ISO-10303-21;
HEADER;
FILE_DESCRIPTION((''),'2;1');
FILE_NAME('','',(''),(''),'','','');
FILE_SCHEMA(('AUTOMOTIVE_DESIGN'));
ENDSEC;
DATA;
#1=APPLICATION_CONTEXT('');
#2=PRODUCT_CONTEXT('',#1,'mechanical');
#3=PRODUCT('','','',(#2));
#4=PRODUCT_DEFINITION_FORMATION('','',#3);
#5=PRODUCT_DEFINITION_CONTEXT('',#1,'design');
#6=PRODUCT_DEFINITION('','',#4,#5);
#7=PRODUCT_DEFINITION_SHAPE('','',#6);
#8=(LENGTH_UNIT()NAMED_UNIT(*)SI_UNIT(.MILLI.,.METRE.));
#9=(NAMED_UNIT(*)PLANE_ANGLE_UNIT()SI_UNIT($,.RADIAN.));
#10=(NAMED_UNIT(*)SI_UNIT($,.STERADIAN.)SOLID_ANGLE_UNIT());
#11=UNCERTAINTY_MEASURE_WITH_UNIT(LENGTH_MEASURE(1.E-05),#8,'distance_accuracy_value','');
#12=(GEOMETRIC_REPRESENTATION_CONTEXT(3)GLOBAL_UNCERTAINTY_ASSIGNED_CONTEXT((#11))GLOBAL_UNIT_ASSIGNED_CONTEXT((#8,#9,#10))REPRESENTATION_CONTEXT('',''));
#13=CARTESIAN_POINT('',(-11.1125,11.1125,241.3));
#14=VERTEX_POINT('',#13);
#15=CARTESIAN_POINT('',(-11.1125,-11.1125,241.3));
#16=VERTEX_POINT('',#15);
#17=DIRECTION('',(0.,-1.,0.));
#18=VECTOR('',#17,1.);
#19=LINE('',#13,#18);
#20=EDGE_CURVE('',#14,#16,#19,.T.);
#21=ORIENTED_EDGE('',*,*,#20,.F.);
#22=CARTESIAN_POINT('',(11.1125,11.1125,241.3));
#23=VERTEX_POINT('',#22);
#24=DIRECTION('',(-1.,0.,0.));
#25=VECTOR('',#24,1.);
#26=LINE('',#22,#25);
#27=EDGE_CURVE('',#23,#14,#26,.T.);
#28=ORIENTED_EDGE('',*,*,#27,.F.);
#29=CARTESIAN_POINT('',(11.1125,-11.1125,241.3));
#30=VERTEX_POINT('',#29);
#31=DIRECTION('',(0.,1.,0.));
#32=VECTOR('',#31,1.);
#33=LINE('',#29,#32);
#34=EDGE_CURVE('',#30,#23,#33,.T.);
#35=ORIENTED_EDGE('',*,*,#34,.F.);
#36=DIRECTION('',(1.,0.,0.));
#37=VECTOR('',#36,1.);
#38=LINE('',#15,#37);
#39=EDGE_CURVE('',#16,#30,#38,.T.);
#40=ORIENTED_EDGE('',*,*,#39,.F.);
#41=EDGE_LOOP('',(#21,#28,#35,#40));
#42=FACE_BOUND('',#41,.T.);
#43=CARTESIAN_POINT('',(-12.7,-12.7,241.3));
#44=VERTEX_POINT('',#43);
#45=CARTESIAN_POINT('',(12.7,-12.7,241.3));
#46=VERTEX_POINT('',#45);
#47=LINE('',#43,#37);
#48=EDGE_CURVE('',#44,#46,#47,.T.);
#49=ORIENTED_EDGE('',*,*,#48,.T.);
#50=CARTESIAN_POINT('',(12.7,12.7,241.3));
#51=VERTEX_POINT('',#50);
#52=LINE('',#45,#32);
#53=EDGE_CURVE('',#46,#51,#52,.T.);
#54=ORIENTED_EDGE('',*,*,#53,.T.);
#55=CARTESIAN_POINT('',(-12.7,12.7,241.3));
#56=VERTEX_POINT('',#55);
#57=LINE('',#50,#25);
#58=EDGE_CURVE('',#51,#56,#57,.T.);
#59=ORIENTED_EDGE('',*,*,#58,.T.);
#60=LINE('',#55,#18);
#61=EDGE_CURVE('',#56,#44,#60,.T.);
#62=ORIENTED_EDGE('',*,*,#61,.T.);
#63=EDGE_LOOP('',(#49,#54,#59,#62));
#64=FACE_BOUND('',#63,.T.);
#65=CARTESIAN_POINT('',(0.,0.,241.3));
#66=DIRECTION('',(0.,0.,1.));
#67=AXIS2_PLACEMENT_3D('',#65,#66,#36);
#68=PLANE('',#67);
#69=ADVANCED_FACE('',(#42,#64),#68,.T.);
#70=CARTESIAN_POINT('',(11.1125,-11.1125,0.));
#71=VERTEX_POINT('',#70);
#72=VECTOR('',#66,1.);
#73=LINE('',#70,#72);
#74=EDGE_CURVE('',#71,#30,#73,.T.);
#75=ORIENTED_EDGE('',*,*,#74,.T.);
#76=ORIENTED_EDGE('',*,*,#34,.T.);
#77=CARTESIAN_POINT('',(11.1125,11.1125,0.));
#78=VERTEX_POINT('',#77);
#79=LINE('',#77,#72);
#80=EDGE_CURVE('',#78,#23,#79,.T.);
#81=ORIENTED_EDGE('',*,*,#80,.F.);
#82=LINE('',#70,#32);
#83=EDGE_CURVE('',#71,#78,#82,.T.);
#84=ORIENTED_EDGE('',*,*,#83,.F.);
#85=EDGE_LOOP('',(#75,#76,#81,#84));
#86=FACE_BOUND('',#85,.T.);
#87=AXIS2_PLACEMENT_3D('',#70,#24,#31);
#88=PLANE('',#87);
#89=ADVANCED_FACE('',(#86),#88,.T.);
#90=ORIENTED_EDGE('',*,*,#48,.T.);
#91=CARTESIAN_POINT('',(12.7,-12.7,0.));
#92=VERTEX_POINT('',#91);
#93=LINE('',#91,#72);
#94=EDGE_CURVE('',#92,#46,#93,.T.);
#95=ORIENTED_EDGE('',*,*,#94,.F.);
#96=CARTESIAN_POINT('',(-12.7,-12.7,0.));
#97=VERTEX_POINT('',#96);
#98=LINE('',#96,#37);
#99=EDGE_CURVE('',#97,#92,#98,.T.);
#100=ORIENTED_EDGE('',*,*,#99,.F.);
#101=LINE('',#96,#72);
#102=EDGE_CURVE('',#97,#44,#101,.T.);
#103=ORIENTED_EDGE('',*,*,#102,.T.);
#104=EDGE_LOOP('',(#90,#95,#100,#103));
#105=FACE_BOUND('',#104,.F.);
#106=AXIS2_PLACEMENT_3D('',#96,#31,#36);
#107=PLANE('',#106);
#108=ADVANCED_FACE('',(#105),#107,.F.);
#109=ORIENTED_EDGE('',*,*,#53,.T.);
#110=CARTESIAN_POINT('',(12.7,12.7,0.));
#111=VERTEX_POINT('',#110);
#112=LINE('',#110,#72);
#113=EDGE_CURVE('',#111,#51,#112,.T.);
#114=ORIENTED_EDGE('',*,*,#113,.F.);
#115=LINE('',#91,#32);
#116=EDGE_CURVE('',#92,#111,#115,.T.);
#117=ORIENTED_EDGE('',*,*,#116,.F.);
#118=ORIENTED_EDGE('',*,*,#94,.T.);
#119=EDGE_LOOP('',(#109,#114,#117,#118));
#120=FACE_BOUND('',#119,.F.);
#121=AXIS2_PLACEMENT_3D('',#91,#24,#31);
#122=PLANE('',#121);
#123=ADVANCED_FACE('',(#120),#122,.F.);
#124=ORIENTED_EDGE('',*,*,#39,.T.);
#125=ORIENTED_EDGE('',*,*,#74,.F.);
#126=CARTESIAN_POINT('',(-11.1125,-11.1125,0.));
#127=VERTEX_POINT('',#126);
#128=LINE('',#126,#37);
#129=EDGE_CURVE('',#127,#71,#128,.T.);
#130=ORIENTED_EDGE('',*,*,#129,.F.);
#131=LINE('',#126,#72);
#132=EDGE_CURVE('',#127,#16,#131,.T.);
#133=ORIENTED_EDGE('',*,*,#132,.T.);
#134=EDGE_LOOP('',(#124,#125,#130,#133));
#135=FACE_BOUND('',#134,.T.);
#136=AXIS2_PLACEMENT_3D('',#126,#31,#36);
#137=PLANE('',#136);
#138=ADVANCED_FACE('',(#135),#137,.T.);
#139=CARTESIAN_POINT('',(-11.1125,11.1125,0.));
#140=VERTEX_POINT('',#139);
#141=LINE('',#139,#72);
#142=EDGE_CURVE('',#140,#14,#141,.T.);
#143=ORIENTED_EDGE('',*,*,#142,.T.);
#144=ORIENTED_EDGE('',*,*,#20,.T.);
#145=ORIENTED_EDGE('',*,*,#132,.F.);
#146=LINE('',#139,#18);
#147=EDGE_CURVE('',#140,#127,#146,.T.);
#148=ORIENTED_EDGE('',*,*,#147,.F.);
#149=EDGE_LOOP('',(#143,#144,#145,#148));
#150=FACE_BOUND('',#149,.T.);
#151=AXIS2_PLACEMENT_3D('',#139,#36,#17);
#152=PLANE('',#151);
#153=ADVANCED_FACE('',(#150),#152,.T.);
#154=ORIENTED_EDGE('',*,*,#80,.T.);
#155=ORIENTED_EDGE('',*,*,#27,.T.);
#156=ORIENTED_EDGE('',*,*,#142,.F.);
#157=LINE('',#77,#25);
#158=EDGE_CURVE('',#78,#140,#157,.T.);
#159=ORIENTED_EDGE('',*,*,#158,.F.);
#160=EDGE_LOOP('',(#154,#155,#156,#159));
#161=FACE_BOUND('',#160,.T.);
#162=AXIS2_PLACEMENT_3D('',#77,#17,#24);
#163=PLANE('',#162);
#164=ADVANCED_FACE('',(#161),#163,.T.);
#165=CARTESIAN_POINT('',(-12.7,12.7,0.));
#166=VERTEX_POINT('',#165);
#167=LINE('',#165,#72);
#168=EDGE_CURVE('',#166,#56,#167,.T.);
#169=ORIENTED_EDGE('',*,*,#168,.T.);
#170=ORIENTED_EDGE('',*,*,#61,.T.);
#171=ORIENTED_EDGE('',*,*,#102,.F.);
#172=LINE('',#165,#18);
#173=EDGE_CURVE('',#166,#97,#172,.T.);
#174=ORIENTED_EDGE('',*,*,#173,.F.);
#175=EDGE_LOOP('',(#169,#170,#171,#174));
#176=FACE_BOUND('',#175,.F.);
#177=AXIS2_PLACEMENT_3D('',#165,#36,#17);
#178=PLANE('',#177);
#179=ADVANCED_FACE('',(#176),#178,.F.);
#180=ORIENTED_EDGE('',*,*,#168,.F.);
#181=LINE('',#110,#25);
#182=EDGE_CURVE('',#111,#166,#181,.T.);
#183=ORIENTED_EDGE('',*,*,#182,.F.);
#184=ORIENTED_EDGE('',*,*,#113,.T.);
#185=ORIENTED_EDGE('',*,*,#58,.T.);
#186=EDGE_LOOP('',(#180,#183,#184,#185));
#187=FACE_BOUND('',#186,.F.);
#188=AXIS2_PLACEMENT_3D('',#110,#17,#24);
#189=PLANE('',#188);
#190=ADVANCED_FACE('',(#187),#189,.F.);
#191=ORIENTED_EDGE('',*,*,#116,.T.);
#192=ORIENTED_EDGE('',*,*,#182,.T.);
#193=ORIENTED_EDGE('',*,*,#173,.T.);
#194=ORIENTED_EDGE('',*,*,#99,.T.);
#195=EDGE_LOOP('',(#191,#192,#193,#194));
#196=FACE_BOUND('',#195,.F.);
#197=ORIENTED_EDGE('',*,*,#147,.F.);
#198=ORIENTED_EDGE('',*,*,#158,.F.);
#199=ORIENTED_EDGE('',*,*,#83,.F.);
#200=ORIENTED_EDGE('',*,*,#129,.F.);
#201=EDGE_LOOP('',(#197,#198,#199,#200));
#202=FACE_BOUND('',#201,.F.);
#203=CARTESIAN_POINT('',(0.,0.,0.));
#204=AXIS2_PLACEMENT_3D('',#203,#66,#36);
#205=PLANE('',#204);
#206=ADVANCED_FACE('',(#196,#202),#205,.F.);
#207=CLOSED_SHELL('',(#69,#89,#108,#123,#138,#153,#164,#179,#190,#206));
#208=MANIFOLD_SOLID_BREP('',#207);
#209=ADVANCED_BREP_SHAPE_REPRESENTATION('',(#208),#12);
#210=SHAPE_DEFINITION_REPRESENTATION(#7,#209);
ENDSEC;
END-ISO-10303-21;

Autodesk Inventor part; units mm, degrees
ref_plane "YZ Plane" through (0, 0, 0) normal (1, 0, 0) x (0, 1, 0)
ref_plane "XZ Plane" through (0, 0, 0) normal (0, 1, 0) x (-1, 0, 0)
ref_plane "XY Plane" through (0, 0, 0) normal (0, 0, 1) x (1, 0, 0)
sketch "Sketch1" plane through (0, 0, 0) normal (0, 0, 1) x (1, 0, 0)
  line L0 (-12.7, -12.7) -> (12.7, -12.7)
  line L1 (12.7, -12.7) -> (12.7, 12.7)
  line L2 (12.7, 12.7) -> (-12.7, 12.7)
  line L3 (-12.7, 12.7) -> (-12.7, -12.7)
  line L4 (-11.1125, -11.1125) -> (11.1125, -11.1125)
  line L5 (11.1125, -11.1125) -> (11.1125, 11.1125)
  line L6 (11.1125, 11.1125) -> (-11.1125, 11.1125)
  line L7 (-11.1125, 11.1125) -> (-11.1125, -11.1125)
  point P0 (0, 0)
  dimension "d0" = 25.4
  dimension "d1" = 25.4
  dimension "d2" = 22.225
  dimension "d3" = 22.225
extrude "Extrusion1" add sketch "Sketch1" along normal blind 241.3
equation "\"BendRadius\" = Thickness"
equation "\"BendReliefWidth\" = Thickness"
equation "\"BendReliefDepth\" = 0.5 * Thickness"
equation "\"CornerReliefSize\" = 4 * Thickness"
equation "\"MinimumRemnant\" = 2 * Thickness"
equation "\"TransitionRadius\" = BendRadius"
equation "\"JacobiRadiusSize\" = BendRadius"
equation "\"GapSize\" = Thickness"
equation "\"Thickness\" = 3.048"
properties part number "9.5 in 1-16 (cutout)"
